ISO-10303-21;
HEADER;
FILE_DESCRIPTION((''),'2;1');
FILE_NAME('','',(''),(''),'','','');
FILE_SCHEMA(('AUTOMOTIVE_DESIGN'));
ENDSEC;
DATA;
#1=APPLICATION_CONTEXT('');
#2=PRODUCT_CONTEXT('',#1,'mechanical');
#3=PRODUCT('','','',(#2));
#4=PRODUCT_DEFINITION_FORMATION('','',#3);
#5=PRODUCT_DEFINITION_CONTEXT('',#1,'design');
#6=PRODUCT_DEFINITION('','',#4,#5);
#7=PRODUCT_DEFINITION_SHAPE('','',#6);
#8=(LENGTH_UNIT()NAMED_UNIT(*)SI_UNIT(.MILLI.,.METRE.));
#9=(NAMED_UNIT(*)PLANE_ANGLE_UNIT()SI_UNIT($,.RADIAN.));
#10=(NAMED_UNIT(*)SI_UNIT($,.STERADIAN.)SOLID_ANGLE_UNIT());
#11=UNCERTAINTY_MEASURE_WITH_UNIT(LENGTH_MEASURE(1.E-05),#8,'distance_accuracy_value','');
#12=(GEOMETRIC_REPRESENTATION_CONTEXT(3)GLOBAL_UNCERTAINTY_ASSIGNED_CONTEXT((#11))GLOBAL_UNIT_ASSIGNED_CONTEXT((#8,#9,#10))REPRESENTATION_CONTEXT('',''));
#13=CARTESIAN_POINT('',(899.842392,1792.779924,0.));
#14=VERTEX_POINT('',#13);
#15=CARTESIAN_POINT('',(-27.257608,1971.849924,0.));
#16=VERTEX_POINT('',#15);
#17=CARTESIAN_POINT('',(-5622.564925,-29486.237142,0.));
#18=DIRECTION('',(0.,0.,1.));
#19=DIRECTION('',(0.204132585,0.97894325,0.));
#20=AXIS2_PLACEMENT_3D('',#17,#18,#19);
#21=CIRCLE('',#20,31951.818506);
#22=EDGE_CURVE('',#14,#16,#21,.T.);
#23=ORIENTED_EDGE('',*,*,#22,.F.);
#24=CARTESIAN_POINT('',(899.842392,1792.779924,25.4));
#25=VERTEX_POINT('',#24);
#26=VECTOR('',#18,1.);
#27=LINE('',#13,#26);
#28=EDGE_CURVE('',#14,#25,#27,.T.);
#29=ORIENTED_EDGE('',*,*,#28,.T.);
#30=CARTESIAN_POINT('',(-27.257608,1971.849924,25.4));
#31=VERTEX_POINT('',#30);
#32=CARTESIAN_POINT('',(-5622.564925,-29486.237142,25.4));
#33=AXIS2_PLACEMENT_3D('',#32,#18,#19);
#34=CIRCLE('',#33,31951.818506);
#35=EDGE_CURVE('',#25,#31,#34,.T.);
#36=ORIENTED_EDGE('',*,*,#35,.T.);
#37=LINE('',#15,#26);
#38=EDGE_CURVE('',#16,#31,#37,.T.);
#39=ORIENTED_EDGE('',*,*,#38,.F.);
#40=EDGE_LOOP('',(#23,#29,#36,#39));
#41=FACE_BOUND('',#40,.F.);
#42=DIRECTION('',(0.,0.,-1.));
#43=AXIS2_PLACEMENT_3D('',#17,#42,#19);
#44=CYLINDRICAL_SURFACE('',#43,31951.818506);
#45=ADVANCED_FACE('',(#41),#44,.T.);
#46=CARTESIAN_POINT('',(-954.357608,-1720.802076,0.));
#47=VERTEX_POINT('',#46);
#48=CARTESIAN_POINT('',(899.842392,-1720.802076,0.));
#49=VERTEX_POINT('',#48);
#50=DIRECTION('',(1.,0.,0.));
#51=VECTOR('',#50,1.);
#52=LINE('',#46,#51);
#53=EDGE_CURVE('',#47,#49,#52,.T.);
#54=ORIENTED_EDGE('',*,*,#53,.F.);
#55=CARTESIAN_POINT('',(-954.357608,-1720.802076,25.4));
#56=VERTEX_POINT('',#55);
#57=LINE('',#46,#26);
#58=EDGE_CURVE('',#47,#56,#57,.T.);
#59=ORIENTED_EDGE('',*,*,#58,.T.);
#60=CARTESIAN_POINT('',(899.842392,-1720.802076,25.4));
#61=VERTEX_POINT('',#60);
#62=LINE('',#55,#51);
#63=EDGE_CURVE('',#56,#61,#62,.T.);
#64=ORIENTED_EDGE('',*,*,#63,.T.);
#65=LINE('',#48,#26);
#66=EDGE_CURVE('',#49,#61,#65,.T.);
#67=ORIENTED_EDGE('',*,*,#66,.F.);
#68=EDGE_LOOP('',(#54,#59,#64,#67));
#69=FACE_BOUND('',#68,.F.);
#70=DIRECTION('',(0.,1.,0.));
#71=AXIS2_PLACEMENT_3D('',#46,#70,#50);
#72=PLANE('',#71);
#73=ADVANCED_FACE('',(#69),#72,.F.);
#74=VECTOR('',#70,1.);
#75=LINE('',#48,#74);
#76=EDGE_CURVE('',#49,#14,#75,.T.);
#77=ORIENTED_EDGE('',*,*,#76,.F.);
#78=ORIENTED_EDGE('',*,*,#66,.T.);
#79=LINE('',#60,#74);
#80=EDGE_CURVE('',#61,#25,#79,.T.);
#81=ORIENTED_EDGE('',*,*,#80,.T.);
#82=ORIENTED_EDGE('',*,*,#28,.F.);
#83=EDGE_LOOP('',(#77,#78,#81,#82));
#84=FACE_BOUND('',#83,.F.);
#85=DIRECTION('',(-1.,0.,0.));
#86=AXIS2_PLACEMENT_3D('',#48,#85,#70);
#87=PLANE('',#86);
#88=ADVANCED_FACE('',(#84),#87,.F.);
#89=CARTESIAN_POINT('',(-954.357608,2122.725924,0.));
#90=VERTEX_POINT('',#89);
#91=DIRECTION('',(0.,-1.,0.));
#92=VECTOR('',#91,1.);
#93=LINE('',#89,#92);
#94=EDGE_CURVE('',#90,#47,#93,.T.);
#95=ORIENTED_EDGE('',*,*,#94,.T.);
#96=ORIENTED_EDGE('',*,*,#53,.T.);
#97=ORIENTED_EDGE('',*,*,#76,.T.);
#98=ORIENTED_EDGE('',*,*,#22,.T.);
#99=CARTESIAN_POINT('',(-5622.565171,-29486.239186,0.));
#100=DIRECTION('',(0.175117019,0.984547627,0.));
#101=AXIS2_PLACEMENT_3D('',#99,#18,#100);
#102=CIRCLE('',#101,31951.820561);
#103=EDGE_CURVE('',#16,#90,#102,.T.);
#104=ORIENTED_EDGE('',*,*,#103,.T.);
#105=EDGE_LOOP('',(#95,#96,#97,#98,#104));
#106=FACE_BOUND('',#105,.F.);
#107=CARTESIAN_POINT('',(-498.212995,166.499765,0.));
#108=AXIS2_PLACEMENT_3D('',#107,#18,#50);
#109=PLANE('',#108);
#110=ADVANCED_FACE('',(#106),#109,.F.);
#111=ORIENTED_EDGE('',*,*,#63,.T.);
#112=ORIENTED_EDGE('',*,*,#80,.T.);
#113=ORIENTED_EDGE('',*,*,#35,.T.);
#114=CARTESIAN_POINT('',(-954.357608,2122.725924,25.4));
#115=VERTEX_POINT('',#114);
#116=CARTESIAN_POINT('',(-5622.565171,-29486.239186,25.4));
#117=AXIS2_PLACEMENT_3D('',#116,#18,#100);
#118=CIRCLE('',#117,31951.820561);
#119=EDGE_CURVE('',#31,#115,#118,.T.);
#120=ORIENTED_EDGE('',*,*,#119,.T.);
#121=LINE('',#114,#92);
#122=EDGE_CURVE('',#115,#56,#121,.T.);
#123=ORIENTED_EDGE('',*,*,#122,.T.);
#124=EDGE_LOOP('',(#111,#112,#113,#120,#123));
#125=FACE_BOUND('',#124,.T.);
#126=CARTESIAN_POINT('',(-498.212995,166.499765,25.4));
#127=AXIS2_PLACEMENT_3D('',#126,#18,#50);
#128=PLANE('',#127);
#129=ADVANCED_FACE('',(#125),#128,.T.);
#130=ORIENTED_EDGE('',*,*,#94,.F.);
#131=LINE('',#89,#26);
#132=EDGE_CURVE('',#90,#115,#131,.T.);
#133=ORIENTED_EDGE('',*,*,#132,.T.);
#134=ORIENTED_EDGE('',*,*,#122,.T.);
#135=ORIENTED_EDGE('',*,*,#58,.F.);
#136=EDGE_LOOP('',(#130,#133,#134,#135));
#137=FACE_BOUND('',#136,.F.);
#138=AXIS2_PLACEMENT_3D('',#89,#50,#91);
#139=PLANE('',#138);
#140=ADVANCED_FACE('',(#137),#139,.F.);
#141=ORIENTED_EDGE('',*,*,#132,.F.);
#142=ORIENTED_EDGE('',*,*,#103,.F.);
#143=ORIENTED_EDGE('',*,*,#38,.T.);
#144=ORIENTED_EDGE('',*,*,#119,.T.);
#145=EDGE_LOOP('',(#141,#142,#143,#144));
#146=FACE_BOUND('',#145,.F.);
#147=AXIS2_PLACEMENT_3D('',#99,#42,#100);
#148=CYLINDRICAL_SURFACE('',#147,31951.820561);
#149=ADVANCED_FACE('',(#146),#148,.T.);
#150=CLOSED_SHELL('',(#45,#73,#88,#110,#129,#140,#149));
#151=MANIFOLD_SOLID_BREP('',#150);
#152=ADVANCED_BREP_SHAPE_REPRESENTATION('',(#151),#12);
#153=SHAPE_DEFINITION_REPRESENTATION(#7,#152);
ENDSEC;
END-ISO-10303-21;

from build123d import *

# Parameters (mm, degrees)
F1_DEPTH = 25.4


with BuildPart() as f1:
    # F0 (on Top) → F1 (new body)
    with BuildSketch(Plane.XY):
        with BuildLine():
            Line((-954.357608, 2122.725924), (-954.357608, -1720.802076))
            Line((-954.357608, -1720.802076), (-27.257608, -1720.802076))
            Line((-27.257608, -1720.802076), (-27.257608, 1971.849924))
            ThreePointArc((-27.257608, 1971.849924), (-490.25316, 2050.694885), (-954.357608, 2122.725924))
        make_face()
        with BuildLine():
            Line((-27.257608, 1971.849924), (-27.257608, -1720.802076))
            Line((-27.257608, -1720.802076), (899.842392, -1720.802076))
            Line((899.842392, -1720.802076), (899.842392, 1792.779924))
            ThreePointArc((899.842392, 1792.779924), (436.95391, 1885.739801), (-27.257608, 1971.849924))
        make_face()
    extrude(amount=F1_DEPTH)


solid = f1.part
